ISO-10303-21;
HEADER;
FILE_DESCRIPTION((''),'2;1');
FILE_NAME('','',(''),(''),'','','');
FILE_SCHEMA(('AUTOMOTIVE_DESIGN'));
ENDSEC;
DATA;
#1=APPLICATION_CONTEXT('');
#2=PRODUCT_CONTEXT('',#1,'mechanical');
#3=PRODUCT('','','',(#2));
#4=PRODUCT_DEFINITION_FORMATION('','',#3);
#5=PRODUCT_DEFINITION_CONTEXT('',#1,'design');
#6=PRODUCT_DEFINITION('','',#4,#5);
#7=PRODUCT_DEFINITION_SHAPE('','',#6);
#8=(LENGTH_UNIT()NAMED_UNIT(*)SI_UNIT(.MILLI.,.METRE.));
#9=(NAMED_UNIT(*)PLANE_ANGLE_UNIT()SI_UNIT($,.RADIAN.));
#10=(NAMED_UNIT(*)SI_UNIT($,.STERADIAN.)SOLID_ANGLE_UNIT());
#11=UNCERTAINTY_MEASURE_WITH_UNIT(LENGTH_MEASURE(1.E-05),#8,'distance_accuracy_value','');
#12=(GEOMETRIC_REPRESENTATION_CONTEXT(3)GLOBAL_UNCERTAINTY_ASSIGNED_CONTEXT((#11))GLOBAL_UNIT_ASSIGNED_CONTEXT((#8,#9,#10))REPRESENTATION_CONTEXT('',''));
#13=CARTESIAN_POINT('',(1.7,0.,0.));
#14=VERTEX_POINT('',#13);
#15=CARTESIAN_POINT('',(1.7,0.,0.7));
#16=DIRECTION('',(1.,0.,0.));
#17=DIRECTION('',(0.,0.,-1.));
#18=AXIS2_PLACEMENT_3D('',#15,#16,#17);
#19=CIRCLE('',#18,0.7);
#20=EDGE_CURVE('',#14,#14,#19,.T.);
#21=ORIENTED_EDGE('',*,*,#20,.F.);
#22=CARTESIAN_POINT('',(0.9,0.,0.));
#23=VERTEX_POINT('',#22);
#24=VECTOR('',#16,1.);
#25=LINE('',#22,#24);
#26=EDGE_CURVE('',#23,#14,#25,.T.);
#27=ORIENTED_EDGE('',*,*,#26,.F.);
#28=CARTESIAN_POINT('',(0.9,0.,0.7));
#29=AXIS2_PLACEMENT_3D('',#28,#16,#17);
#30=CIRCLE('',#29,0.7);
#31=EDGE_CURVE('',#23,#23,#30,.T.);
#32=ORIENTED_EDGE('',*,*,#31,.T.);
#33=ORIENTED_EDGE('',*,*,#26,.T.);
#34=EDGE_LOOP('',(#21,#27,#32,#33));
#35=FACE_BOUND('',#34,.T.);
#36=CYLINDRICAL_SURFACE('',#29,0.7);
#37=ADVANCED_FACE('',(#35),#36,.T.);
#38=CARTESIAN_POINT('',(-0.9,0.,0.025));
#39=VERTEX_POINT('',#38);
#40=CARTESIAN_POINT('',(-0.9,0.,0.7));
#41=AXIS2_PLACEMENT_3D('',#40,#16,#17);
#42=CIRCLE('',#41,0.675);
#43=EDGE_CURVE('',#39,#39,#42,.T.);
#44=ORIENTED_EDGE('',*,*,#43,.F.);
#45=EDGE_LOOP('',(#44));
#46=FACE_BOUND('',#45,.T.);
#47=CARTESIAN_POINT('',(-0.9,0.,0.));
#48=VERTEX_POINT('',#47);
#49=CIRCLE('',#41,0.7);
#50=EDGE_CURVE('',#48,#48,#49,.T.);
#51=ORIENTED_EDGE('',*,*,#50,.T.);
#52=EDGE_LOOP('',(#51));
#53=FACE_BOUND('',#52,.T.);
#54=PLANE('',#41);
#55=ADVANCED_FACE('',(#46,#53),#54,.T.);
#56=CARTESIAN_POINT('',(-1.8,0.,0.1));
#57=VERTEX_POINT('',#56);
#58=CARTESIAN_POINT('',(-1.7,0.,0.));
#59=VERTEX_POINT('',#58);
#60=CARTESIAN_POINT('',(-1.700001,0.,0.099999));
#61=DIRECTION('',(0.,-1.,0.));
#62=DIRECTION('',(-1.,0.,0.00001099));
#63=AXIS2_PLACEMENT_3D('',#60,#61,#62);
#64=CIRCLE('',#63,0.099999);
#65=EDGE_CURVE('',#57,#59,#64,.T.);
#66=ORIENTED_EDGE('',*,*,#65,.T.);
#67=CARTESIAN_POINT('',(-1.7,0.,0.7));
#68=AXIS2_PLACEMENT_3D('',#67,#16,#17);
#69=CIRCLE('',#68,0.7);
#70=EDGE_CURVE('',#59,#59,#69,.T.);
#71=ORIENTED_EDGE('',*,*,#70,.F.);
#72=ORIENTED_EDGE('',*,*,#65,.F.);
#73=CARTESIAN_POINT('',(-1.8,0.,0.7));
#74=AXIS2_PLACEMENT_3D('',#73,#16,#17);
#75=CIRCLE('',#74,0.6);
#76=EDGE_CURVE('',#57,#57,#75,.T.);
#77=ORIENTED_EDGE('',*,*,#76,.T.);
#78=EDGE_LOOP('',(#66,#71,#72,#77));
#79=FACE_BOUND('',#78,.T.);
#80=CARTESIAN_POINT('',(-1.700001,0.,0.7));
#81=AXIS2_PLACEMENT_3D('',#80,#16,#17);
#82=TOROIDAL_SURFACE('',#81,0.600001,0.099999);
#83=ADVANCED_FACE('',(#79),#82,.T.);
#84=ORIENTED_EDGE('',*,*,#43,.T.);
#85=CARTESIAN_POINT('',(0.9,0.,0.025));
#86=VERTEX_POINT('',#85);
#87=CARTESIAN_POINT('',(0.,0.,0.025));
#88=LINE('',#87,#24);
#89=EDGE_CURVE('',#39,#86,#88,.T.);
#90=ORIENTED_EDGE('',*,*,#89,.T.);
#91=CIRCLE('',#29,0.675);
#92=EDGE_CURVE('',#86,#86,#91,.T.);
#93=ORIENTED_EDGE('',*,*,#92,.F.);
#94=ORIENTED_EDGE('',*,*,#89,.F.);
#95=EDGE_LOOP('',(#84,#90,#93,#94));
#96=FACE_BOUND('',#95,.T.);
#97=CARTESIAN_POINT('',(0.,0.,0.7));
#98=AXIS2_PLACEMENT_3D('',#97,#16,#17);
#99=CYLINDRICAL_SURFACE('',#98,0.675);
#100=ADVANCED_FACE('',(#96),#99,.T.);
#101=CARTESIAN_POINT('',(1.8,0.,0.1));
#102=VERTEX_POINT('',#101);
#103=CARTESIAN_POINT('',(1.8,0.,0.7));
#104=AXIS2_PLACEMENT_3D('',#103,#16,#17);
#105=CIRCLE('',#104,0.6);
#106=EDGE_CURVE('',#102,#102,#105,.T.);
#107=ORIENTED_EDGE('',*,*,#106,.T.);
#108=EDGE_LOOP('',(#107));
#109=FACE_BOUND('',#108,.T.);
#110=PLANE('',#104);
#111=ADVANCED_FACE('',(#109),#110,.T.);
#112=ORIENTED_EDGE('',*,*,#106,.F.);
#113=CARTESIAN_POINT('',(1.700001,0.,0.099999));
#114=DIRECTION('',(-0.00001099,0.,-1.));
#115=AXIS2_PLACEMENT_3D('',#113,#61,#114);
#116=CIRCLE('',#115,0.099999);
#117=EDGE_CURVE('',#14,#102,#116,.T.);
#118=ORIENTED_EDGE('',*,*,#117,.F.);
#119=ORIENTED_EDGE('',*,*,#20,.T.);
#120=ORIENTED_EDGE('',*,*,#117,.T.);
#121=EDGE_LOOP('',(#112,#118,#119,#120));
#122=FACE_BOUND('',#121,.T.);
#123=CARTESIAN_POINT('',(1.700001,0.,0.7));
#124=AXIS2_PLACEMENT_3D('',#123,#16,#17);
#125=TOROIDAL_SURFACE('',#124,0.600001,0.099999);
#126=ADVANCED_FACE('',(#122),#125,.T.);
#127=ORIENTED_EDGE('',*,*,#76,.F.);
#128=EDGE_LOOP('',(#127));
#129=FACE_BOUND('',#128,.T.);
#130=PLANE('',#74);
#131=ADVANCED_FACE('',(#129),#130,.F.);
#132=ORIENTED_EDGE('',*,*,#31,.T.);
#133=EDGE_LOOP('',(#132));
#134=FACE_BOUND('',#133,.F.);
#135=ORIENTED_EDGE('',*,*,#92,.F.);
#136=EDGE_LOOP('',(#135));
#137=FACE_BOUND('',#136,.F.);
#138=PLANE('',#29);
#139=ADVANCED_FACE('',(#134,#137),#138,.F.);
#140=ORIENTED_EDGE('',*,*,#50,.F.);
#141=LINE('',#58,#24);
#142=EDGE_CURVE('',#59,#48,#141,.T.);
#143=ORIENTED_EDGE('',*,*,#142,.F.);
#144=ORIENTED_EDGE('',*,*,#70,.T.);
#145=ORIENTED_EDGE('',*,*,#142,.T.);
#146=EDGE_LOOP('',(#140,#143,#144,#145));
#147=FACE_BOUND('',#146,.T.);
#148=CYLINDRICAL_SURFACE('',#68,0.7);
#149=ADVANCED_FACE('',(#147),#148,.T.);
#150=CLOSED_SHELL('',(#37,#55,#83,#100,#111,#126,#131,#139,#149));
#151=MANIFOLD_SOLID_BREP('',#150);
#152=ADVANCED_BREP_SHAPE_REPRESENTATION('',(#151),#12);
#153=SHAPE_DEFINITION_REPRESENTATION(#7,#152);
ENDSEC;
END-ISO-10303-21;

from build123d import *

# Parameters (mm, degrees)
SKETCH_W = 2.7
SKETCH_H = 0.675


with BuildPart() as revolution:
    # Sketch → Revolution (revolve)
    with BuildSketch(Plane.XZ):
        with Locations((0, 0.3625)):
            Rectangle(SKETCH_W, SKETCH_H)
    revolve(axis=Axis((-15.061842, 0, 0.7), (1, 0, 0)))


with BuildPart() as fusion:
    # Sketch001 → Revolution001 (revolve)
    with BuildSketch(Plane.XZ):
        with BuildLine():
            Line((-1.7, 0), (-0.9, 0))
            Line((-0.9, 0), (-0.9, 0.6))
            Line((-0.9, 0.6), (0.9, 0.6))
            Line((0.9, 0), (0.9, 0.6))
            Line((0.9, 0), (1.7, 0))
            ThreePointArc((1.7, 0), (1.770711, 0.029289), (1.8, 0.1))
            Line((1.8, 0.1), (1.8, 0.7))
            Line((-1.8, 0.7), (1.8, 0.7))
            Line((-1.8, 0.7), (-1.8, 0.1))
            ThreePointArc((-1.8, 0.1), (-1.770711, 0.029289), (-1.7, 0))
        make_face()
    revolve(axis=Axis((-8.2, 0, 0.7), (1, 0, 0)))

    # Fusion: union Revolution
    add(revolution.part)


solid = fusion.part
